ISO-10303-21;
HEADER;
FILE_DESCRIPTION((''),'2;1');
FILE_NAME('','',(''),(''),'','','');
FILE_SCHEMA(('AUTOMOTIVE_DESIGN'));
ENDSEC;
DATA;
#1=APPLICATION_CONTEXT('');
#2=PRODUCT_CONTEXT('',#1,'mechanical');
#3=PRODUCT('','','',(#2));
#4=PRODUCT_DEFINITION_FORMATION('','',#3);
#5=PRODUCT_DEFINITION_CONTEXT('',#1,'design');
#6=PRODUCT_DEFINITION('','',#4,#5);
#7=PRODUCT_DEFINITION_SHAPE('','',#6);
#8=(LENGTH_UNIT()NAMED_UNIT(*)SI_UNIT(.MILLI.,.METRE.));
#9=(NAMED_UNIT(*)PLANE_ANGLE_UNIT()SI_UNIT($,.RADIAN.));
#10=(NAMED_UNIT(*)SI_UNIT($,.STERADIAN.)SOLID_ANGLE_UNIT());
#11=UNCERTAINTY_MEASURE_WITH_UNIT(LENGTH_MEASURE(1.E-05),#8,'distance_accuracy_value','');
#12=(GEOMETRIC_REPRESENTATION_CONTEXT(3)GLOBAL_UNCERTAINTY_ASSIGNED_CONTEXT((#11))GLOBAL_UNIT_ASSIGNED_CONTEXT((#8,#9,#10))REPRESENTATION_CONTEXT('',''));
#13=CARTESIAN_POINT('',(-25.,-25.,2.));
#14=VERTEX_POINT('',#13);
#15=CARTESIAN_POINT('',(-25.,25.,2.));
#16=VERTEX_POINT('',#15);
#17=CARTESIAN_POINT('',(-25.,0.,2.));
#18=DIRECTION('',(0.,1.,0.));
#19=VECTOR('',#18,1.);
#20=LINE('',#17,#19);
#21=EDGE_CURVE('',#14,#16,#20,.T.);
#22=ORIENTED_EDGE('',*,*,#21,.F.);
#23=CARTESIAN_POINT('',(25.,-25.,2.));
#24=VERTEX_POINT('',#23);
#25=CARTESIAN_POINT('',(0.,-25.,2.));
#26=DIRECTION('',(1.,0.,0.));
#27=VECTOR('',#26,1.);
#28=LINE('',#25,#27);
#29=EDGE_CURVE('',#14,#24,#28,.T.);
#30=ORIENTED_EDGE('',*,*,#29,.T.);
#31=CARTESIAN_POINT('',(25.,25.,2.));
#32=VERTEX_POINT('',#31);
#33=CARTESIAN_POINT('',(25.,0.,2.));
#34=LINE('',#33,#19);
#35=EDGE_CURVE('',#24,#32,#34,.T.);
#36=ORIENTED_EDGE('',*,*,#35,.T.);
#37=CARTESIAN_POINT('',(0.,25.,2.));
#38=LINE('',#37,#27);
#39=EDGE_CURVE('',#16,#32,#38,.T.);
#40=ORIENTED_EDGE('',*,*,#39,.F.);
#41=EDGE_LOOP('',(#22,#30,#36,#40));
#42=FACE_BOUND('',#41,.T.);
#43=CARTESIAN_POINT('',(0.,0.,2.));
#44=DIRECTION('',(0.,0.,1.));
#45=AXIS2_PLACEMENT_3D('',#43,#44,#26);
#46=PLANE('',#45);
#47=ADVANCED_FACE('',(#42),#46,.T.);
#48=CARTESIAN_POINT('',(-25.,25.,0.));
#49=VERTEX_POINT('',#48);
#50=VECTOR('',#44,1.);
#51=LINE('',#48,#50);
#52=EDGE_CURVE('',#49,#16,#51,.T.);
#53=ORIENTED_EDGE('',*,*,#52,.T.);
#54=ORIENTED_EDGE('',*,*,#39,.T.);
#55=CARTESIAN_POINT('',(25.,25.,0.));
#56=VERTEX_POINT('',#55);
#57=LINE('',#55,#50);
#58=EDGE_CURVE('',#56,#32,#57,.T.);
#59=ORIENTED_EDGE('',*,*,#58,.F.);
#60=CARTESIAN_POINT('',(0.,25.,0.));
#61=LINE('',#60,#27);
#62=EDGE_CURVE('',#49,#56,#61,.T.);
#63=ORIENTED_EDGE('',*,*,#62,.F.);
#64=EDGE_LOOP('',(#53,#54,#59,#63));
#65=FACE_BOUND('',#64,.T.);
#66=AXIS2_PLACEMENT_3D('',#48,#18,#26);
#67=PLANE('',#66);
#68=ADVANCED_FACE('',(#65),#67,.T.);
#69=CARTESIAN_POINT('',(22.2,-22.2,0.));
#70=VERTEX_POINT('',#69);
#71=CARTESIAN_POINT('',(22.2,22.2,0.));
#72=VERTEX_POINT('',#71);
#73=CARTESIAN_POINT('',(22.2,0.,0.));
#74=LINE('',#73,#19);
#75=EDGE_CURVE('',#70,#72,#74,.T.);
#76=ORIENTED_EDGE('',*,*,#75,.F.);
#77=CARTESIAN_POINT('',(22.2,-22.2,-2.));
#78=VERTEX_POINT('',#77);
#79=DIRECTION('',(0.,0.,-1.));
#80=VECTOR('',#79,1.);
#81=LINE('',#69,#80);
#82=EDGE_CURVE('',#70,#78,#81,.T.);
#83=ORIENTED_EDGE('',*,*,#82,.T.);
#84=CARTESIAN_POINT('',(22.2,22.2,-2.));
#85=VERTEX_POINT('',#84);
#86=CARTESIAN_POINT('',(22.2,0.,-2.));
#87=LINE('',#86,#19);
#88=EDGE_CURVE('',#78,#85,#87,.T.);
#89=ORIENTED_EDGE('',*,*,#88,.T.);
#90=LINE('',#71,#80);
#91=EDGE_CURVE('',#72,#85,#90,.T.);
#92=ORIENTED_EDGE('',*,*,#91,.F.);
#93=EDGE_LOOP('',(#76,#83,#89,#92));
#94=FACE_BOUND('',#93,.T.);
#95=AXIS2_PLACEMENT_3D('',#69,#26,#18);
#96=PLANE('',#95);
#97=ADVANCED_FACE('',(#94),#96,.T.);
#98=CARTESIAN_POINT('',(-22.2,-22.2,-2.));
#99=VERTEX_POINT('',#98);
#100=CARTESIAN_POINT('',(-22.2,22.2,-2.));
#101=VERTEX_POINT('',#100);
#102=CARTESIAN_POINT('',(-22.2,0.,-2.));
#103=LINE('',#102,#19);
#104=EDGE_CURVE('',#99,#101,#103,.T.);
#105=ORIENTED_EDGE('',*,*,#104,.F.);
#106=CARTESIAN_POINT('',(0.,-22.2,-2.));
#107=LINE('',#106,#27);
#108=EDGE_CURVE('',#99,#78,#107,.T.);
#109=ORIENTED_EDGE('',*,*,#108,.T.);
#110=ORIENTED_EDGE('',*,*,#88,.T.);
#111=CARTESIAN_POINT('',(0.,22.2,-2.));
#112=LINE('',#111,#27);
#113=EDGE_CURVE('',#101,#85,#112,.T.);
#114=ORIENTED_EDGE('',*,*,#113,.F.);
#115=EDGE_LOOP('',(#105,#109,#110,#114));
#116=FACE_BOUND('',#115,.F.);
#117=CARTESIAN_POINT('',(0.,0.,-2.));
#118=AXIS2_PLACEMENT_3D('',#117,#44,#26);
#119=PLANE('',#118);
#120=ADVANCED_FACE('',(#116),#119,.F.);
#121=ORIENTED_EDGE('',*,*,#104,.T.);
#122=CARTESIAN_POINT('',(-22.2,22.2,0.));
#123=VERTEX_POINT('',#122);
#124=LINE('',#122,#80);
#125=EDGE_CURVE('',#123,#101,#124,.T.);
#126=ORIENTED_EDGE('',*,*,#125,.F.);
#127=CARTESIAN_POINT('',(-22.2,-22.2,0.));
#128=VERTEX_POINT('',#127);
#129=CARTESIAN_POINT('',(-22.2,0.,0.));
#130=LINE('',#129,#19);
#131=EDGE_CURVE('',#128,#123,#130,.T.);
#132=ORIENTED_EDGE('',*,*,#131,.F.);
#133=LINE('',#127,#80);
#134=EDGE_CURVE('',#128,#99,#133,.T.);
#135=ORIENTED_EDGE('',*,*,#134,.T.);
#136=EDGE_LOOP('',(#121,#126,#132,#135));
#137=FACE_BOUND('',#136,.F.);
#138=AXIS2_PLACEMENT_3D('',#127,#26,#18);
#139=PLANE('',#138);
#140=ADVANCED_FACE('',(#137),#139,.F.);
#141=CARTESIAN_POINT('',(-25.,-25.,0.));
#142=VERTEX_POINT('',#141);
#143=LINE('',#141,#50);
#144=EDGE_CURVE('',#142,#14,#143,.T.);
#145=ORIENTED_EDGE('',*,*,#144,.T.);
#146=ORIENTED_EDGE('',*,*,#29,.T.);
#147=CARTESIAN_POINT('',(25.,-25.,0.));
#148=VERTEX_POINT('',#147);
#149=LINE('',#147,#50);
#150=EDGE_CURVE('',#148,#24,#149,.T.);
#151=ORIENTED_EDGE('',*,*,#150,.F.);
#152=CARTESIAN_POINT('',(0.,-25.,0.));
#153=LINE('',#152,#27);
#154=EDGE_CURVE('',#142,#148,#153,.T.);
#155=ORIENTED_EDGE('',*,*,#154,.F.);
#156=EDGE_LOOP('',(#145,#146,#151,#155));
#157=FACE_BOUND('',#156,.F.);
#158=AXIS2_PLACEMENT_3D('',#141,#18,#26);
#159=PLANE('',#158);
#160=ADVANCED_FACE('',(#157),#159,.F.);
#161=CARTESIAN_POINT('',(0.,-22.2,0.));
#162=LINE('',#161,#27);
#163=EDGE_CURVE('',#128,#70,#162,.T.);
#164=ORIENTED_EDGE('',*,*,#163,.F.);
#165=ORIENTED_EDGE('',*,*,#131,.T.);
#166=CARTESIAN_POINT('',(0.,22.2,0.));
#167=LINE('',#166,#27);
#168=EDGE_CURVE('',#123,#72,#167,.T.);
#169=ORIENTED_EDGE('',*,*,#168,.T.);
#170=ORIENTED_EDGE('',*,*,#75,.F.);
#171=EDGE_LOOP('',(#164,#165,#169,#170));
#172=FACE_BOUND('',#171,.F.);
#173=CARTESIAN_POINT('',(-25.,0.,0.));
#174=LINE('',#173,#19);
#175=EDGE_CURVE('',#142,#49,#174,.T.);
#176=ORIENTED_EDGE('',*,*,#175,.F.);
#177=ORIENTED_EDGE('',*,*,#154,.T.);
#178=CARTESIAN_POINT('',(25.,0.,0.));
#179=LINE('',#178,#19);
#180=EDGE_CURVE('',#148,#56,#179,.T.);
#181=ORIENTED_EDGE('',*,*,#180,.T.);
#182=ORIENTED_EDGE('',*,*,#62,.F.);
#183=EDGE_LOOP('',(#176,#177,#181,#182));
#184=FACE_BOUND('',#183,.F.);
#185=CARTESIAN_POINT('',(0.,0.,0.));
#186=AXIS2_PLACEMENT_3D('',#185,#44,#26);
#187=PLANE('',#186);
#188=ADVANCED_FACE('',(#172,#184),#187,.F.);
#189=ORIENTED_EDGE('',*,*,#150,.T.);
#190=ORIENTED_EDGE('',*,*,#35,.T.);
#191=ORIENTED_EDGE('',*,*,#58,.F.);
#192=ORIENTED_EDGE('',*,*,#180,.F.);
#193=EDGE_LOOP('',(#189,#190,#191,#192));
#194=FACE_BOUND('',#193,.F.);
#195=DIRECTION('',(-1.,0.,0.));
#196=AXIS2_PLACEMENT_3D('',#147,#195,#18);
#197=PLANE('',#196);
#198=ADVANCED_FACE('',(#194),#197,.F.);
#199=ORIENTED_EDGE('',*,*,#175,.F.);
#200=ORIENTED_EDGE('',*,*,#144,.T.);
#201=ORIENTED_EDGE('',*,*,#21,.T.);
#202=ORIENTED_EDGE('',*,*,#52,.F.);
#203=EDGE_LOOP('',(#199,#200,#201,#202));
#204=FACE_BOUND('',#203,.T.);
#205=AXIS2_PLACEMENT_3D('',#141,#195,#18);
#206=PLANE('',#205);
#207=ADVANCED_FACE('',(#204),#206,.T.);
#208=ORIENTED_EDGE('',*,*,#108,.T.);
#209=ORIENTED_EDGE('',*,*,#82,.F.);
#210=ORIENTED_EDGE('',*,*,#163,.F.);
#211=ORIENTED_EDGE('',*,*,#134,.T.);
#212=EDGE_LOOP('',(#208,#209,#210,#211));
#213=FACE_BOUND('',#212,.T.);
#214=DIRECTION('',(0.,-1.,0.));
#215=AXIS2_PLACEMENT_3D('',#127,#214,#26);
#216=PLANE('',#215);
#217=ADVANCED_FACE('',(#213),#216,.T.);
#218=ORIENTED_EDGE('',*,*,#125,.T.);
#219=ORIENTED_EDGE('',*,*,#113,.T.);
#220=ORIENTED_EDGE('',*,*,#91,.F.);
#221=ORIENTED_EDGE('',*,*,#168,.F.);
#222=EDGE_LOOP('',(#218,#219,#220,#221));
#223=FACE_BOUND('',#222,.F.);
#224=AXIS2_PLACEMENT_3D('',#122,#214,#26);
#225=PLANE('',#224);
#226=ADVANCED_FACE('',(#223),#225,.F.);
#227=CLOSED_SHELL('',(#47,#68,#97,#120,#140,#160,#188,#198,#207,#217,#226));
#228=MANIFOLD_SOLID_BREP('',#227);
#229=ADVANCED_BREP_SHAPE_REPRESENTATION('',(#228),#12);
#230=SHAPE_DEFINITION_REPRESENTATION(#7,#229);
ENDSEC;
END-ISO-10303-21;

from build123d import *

# Parameters (mm, degrees)
F0_W     = 50
F0_H     = 50
F0_W_2   = 44.4
F0_H_2   = 44.4
F1_DEPTH = 2
F2_DEPTH = 2


with BuildPart() as f1:
    # F0 (on Top) → F1 (new body)
    with BuildSketch(Plane.XY):
        Rectangle(F0_W, F0_H)
        Rectangle(F0_W_2, F0_H_2, mode=Mode.SUBTRACT)
        Rectangle(F0_W_2, F0_H_2)
    extrude(amount=F1_DEPTH)

    # F0 (on Top) → F2 (join)
    with BuildSketch(Plane.XY):
        Rectangle(F0_W_2, F0_H_2)
    extrude(amount=-F2_DEPTH)


solid = f1.part
